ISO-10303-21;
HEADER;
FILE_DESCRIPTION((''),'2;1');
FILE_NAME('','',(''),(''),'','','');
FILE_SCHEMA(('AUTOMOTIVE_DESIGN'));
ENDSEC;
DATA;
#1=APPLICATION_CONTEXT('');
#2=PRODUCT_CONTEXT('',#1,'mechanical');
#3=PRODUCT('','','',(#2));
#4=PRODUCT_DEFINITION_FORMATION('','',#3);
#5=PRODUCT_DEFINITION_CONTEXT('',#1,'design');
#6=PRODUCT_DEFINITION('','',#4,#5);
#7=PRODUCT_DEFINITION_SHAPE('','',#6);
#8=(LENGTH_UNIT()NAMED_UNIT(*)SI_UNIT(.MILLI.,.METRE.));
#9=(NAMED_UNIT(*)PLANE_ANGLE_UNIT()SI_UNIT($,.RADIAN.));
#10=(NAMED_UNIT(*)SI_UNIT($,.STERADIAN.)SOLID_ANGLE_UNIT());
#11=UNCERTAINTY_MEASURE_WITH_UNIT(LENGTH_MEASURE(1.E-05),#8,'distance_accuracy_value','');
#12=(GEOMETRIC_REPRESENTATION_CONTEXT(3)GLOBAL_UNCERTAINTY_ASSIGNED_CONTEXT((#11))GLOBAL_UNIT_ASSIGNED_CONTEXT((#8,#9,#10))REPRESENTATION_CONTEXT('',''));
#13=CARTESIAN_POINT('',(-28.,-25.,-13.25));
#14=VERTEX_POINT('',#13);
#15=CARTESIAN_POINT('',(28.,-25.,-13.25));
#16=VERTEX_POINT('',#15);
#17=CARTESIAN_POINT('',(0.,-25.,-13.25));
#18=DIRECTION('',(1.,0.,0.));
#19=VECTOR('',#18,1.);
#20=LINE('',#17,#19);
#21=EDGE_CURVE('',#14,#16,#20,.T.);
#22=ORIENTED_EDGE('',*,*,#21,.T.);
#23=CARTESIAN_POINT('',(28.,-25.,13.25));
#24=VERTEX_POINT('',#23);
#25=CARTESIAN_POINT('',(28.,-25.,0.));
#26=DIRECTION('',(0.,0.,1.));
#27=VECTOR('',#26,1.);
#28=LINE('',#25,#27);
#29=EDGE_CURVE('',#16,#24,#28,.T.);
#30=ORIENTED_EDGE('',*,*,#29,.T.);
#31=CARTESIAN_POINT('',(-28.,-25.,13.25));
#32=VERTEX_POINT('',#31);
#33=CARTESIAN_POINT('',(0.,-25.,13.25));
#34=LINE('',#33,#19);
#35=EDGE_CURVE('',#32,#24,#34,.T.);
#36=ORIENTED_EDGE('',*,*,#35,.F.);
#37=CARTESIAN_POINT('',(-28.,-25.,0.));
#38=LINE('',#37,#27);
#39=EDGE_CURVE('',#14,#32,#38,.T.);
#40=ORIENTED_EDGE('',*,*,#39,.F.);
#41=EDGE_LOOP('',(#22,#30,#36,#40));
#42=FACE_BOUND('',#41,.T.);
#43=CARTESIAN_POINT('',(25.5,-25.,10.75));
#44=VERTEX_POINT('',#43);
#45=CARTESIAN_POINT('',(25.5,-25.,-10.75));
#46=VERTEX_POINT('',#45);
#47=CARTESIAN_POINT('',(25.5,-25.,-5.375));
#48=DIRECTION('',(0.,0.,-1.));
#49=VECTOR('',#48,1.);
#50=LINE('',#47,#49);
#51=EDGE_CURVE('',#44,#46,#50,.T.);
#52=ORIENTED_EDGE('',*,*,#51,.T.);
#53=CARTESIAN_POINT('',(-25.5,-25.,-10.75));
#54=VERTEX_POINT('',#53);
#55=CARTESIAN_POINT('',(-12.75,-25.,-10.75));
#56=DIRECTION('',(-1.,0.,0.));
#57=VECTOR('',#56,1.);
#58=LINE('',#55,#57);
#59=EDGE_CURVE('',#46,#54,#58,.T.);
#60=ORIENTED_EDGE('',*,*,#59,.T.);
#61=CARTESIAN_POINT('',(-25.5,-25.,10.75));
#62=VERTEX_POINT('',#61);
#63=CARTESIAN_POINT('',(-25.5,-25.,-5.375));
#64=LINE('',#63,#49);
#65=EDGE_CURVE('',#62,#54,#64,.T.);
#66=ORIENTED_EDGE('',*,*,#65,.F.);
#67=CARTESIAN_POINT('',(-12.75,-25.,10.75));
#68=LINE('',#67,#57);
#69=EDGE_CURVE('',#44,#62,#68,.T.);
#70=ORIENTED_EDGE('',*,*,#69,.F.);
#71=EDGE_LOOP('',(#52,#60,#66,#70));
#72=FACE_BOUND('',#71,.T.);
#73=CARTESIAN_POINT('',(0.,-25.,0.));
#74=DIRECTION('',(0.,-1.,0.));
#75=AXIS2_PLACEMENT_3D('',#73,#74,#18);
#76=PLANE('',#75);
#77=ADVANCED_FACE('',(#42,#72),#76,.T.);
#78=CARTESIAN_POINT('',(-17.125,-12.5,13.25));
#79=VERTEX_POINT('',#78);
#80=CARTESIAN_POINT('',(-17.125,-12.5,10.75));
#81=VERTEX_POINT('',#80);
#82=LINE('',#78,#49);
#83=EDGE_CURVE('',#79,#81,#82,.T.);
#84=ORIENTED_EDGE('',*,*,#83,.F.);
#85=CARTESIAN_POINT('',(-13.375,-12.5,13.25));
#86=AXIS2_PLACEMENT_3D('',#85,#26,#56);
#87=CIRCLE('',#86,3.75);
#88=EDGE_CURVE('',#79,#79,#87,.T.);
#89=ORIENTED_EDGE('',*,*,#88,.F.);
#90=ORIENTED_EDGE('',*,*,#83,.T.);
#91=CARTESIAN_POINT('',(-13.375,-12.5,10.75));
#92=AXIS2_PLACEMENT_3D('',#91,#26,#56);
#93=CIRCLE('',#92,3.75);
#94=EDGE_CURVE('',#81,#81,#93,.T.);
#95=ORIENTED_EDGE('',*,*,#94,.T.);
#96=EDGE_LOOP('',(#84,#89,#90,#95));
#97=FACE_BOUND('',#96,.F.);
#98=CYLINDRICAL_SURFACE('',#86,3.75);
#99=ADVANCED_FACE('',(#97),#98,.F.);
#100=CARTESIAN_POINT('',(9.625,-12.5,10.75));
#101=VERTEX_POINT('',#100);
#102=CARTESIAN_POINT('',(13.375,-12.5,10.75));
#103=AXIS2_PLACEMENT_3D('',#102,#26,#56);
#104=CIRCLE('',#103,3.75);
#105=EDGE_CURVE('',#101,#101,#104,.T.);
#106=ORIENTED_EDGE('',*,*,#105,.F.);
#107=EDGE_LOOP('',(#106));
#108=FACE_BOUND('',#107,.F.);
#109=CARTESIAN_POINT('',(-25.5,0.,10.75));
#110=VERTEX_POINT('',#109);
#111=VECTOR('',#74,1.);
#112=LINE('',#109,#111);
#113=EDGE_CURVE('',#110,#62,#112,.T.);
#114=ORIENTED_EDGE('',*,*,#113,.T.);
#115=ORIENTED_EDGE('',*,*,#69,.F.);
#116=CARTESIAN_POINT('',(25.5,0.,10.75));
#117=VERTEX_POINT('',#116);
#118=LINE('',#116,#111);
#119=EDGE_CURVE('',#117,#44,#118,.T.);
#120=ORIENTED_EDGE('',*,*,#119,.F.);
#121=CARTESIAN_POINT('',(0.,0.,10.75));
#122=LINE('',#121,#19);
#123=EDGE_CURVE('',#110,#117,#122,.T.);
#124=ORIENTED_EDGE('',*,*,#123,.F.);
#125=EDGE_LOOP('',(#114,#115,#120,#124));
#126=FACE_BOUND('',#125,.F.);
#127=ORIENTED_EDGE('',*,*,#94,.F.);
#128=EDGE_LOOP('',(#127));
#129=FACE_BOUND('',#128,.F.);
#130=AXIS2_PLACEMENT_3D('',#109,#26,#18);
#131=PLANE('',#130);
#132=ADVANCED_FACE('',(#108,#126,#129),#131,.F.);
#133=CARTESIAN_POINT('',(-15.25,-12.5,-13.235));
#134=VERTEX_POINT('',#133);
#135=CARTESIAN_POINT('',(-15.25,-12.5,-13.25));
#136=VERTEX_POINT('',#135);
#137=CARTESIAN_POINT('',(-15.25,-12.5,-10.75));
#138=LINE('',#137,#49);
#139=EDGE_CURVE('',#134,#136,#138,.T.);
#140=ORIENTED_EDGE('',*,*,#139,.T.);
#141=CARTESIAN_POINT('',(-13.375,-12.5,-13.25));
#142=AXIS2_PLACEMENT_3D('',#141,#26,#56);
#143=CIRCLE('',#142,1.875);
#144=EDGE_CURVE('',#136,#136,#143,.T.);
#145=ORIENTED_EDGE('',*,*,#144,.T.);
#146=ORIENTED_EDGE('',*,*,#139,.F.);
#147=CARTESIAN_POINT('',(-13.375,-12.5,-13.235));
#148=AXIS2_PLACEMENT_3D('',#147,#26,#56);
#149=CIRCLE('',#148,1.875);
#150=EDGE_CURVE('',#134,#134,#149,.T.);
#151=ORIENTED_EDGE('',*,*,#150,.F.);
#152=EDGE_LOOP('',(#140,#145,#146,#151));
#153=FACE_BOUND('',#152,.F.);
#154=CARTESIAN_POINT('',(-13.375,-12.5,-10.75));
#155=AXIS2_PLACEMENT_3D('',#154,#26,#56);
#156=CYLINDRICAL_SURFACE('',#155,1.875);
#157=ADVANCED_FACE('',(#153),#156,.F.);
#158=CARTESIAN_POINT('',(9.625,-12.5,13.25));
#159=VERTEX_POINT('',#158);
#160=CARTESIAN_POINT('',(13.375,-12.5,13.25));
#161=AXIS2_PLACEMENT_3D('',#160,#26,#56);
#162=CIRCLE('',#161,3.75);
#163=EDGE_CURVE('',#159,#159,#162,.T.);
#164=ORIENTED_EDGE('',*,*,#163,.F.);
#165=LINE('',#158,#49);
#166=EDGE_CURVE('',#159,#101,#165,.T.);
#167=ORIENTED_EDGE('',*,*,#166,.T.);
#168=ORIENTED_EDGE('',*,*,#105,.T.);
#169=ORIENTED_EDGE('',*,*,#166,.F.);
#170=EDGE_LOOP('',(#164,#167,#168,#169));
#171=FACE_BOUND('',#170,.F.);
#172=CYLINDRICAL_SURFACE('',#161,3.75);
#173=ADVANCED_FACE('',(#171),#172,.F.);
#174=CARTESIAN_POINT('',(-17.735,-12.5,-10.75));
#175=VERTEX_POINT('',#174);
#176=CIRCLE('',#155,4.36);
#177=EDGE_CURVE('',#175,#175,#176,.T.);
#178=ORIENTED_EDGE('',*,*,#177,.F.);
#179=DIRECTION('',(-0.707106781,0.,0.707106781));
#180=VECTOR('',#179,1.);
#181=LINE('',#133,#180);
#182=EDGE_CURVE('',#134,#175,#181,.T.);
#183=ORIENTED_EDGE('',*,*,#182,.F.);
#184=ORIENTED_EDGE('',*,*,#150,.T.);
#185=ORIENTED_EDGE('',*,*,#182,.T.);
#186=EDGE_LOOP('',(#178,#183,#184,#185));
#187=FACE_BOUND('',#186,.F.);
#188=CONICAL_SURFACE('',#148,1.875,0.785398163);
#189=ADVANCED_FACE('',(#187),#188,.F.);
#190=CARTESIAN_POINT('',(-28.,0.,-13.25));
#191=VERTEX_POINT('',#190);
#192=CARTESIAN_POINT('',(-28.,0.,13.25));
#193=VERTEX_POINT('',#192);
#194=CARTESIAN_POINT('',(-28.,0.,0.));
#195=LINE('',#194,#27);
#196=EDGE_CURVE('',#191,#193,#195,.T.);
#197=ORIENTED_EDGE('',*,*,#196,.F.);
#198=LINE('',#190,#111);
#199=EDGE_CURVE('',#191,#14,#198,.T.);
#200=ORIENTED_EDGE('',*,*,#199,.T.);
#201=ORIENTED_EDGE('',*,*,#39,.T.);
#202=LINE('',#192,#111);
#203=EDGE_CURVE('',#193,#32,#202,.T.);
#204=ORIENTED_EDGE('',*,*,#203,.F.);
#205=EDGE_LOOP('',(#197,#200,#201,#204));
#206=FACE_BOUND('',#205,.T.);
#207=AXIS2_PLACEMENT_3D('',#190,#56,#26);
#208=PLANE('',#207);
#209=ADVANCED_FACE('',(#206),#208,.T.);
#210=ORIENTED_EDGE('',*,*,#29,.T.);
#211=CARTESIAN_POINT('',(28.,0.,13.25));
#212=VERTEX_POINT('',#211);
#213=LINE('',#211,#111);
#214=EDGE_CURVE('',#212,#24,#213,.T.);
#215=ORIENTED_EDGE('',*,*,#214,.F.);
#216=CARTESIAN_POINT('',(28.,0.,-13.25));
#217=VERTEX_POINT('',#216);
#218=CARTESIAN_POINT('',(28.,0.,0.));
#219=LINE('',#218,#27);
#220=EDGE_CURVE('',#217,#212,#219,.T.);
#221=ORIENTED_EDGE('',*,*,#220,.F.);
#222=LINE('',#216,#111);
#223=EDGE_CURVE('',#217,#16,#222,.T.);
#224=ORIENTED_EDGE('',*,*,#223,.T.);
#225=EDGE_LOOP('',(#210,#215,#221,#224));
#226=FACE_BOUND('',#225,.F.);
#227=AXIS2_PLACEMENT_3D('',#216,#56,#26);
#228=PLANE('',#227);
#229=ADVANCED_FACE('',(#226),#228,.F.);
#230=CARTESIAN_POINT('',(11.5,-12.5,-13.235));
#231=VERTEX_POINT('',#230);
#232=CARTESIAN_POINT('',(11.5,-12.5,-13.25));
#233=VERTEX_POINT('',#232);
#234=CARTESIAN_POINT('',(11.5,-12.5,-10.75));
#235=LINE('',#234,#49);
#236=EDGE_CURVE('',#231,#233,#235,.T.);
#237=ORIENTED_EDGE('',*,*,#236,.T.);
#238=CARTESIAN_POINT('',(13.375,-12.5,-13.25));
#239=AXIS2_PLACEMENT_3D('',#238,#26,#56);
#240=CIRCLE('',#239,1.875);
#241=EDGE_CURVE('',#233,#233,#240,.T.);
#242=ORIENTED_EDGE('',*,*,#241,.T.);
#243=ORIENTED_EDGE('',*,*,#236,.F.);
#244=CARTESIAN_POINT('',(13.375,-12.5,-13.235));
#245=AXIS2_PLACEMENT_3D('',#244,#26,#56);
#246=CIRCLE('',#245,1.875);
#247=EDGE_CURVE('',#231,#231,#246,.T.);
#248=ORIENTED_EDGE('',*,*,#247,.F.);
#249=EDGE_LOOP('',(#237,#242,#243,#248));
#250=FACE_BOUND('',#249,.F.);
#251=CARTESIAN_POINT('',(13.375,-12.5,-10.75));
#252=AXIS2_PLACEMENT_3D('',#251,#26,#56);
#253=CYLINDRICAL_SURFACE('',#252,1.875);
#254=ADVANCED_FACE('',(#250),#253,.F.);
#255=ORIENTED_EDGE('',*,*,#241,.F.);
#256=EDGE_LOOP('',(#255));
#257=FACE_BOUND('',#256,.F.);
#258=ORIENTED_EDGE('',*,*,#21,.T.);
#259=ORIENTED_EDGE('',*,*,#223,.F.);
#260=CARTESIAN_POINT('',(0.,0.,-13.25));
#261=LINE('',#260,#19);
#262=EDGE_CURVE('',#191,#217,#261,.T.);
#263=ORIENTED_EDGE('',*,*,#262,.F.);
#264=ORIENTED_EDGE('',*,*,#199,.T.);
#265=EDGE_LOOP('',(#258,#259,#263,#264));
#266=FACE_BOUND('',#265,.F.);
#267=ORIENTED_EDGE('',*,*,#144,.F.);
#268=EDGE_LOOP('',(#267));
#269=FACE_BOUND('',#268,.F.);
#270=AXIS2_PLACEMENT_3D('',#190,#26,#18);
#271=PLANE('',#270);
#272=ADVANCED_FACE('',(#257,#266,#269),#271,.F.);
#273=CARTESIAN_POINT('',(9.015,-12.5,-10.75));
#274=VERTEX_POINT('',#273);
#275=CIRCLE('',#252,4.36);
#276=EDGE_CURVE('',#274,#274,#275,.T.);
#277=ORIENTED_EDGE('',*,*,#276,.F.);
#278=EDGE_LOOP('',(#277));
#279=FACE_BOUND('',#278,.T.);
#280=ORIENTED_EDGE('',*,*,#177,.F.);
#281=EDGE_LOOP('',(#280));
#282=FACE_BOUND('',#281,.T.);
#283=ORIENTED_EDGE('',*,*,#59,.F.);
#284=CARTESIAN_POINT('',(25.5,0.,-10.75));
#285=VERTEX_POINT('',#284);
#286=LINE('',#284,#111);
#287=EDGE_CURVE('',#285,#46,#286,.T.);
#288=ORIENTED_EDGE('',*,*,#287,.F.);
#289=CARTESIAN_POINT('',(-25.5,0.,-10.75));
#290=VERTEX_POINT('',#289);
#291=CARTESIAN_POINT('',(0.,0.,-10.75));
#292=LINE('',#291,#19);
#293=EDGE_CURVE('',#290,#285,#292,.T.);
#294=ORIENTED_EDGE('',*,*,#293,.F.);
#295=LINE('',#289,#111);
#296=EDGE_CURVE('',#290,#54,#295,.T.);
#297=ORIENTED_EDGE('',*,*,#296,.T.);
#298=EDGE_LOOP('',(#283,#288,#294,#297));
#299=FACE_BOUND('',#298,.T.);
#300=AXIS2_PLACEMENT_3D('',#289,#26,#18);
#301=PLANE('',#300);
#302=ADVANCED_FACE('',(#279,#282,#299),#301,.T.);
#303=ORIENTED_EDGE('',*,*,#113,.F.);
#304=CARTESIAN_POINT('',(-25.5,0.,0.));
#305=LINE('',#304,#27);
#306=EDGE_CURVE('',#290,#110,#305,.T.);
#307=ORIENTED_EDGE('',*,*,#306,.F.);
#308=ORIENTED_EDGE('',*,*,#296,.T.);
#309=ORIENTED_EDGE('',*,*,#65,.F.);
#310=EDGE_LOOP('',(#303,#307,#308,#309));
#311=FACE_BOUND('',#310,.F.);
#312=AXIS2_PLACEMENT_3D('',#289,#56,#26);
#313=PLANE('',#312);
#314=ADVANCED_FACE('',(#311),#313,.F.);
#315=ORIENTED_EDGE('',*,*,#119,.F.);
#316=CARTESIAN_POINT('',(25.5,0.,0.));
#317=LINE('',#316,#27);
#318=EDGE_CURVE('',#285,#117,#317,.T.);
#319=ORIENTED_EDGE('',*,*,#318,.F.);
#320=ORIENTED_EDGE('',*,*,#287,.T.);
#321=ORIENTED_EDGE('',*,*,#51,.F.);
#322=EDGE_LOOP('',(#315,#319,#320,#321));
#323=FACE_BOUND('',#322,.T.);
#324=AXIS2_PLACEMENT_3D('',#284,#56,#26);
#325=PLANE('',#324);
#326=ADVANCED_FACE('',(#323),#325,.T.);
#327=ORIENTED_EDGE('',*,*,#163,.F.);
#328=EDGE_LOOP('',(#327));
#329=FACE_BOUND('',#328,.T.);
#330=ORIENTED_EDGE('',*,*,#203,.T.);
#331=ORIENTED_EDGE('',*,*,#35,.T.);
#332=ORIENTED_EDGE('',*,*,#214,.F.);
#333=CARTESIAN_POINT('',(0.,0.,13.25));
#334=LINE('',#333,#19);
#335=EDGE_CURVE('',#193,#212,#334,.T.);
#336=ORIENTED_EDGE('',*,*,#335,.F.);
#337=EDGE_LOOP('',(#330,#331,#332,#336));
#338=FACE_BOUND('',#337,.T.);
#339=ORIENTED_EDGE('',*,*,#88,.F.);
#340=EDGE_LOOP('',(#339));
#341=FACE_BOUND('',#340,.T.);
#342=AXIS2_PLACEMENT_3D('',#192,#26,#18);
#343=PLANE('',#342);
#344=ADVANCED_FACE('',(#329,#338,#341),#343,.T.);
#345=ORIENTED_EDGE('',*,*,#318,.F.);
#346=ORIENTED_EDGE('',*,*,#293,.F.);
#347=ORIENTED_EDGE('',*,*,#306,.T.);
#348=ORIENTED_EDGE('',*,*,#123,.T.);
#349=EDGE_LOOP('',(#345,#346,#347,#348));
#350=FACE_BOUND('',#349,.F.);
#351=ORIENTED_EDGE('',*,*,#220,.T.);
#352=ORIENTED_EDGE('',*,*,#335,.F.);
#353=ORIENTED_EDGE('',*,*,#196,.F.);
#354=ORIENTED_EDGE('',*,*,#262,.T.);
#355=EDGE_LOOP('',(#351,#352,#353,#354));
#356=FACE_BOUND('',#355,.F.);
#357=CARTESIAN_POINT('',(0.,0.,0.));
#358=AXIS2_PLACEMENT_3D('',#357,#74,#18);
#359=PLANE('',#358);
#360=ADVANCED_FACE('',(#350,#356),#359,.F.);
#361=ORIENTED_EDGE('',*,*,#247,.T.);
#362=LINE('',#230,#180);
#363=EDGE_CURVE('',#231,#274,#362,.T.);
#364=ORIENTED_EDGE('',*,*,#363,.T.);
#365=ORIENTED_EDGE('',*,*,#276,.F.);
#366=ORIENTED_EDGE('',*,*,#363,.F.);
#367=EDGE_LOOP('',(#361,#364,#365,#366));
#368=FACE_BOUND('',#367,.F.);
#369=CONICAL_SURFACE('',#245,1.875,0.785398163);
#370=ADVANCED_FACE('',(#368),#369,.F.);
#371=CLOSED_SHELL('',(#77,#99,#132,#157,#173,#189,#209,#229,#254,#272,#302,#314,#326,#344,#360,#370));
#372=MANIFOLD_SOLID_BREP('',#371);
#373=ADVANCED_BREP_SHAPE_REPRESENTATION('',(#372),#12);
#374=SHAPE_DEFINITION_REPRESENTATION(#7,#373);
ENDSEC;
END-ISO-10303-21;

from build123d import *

# Parameters (mm, degrees)
SKETCH_W          = 56
SKETCH_H          = 26.5
PAD_DEPTH         = 25
SKETCH001_W       = 51
SKETCH001_H       = 21.5
POCKET_DEPTH      = 0.001
POCKET_DEPTH_BACK = 25.001
SKETCH002_R       = 3.75
POCKET001_DEPTH   = 3.5
SKETCH003_R       = 1.875
POCKET002_DEPTH   = 2.5
CHAMFER_SIZE      = 2.485


with BuildPart() as part:
    # Sketch → Pad (new body)
    with BuildSketch(Plane.XZ):
        Rectangle(SKETCH_W, SKETCH_H)
    extrude(amount=PAD_DEPTH)

    # Sketch001 → Pocket (cut, two sides)
    with BuildSketch(Plane.XZ) as pocket_sk:
        Rectangle(SKETCH001_W, SKETCH001_H)
    extrude(amount=-POCKET_DEPTH, mode=Mode.SUBTRACT)
    extrude(pocket_sk.sketch, amount=POCKET_DEPTH_BACK, mode=Mode.SUBTRACT)

    # Sketch002 (on DatumPlane) → Pocket001 (cut)
    with BuildSketch(Plane(origin=(0, 0, 13.25), x_dir=(-1, 0, 0), z_dir=(0, 0, 1))):
        with Locations((-13.375, 12.5)):
            Circle(SKETCH002_R)
        with Locations((13.375, 12.5)):
            Circle(SKETCH002_R)
    extrude(amount=-POCKET001_DEPTH, mode=Mode.SUBTRACT)

    # Sketch003 (on DatumPlane) → Pocket002 (cut)
    with BuildSketch(Plane(origin=(0, 0, -10.75), x_dir=(-1, 0, 0), z_dir=(0, 0, 1))):
        with Locations((-13.375, 12.5)):
            Circle(SKETCH003_R)
        with Locations((13.375, 12.5)):
            Circle(SKETCH003_R)
    extrude(amount=-POCKET002_DEPTH, mode=Mode.SUBTRACT)

    # Chamfer
    chamfer_edges = [part.edges().sort_by_distance(p)[0] for p in [
        (-11.5, -12.5, -10.75),
        (15.25, -12.5, -10.75),
    ]]
    chamfer(chamfer_edges, length=CHAMFER_SIZE)


solid = part.part
